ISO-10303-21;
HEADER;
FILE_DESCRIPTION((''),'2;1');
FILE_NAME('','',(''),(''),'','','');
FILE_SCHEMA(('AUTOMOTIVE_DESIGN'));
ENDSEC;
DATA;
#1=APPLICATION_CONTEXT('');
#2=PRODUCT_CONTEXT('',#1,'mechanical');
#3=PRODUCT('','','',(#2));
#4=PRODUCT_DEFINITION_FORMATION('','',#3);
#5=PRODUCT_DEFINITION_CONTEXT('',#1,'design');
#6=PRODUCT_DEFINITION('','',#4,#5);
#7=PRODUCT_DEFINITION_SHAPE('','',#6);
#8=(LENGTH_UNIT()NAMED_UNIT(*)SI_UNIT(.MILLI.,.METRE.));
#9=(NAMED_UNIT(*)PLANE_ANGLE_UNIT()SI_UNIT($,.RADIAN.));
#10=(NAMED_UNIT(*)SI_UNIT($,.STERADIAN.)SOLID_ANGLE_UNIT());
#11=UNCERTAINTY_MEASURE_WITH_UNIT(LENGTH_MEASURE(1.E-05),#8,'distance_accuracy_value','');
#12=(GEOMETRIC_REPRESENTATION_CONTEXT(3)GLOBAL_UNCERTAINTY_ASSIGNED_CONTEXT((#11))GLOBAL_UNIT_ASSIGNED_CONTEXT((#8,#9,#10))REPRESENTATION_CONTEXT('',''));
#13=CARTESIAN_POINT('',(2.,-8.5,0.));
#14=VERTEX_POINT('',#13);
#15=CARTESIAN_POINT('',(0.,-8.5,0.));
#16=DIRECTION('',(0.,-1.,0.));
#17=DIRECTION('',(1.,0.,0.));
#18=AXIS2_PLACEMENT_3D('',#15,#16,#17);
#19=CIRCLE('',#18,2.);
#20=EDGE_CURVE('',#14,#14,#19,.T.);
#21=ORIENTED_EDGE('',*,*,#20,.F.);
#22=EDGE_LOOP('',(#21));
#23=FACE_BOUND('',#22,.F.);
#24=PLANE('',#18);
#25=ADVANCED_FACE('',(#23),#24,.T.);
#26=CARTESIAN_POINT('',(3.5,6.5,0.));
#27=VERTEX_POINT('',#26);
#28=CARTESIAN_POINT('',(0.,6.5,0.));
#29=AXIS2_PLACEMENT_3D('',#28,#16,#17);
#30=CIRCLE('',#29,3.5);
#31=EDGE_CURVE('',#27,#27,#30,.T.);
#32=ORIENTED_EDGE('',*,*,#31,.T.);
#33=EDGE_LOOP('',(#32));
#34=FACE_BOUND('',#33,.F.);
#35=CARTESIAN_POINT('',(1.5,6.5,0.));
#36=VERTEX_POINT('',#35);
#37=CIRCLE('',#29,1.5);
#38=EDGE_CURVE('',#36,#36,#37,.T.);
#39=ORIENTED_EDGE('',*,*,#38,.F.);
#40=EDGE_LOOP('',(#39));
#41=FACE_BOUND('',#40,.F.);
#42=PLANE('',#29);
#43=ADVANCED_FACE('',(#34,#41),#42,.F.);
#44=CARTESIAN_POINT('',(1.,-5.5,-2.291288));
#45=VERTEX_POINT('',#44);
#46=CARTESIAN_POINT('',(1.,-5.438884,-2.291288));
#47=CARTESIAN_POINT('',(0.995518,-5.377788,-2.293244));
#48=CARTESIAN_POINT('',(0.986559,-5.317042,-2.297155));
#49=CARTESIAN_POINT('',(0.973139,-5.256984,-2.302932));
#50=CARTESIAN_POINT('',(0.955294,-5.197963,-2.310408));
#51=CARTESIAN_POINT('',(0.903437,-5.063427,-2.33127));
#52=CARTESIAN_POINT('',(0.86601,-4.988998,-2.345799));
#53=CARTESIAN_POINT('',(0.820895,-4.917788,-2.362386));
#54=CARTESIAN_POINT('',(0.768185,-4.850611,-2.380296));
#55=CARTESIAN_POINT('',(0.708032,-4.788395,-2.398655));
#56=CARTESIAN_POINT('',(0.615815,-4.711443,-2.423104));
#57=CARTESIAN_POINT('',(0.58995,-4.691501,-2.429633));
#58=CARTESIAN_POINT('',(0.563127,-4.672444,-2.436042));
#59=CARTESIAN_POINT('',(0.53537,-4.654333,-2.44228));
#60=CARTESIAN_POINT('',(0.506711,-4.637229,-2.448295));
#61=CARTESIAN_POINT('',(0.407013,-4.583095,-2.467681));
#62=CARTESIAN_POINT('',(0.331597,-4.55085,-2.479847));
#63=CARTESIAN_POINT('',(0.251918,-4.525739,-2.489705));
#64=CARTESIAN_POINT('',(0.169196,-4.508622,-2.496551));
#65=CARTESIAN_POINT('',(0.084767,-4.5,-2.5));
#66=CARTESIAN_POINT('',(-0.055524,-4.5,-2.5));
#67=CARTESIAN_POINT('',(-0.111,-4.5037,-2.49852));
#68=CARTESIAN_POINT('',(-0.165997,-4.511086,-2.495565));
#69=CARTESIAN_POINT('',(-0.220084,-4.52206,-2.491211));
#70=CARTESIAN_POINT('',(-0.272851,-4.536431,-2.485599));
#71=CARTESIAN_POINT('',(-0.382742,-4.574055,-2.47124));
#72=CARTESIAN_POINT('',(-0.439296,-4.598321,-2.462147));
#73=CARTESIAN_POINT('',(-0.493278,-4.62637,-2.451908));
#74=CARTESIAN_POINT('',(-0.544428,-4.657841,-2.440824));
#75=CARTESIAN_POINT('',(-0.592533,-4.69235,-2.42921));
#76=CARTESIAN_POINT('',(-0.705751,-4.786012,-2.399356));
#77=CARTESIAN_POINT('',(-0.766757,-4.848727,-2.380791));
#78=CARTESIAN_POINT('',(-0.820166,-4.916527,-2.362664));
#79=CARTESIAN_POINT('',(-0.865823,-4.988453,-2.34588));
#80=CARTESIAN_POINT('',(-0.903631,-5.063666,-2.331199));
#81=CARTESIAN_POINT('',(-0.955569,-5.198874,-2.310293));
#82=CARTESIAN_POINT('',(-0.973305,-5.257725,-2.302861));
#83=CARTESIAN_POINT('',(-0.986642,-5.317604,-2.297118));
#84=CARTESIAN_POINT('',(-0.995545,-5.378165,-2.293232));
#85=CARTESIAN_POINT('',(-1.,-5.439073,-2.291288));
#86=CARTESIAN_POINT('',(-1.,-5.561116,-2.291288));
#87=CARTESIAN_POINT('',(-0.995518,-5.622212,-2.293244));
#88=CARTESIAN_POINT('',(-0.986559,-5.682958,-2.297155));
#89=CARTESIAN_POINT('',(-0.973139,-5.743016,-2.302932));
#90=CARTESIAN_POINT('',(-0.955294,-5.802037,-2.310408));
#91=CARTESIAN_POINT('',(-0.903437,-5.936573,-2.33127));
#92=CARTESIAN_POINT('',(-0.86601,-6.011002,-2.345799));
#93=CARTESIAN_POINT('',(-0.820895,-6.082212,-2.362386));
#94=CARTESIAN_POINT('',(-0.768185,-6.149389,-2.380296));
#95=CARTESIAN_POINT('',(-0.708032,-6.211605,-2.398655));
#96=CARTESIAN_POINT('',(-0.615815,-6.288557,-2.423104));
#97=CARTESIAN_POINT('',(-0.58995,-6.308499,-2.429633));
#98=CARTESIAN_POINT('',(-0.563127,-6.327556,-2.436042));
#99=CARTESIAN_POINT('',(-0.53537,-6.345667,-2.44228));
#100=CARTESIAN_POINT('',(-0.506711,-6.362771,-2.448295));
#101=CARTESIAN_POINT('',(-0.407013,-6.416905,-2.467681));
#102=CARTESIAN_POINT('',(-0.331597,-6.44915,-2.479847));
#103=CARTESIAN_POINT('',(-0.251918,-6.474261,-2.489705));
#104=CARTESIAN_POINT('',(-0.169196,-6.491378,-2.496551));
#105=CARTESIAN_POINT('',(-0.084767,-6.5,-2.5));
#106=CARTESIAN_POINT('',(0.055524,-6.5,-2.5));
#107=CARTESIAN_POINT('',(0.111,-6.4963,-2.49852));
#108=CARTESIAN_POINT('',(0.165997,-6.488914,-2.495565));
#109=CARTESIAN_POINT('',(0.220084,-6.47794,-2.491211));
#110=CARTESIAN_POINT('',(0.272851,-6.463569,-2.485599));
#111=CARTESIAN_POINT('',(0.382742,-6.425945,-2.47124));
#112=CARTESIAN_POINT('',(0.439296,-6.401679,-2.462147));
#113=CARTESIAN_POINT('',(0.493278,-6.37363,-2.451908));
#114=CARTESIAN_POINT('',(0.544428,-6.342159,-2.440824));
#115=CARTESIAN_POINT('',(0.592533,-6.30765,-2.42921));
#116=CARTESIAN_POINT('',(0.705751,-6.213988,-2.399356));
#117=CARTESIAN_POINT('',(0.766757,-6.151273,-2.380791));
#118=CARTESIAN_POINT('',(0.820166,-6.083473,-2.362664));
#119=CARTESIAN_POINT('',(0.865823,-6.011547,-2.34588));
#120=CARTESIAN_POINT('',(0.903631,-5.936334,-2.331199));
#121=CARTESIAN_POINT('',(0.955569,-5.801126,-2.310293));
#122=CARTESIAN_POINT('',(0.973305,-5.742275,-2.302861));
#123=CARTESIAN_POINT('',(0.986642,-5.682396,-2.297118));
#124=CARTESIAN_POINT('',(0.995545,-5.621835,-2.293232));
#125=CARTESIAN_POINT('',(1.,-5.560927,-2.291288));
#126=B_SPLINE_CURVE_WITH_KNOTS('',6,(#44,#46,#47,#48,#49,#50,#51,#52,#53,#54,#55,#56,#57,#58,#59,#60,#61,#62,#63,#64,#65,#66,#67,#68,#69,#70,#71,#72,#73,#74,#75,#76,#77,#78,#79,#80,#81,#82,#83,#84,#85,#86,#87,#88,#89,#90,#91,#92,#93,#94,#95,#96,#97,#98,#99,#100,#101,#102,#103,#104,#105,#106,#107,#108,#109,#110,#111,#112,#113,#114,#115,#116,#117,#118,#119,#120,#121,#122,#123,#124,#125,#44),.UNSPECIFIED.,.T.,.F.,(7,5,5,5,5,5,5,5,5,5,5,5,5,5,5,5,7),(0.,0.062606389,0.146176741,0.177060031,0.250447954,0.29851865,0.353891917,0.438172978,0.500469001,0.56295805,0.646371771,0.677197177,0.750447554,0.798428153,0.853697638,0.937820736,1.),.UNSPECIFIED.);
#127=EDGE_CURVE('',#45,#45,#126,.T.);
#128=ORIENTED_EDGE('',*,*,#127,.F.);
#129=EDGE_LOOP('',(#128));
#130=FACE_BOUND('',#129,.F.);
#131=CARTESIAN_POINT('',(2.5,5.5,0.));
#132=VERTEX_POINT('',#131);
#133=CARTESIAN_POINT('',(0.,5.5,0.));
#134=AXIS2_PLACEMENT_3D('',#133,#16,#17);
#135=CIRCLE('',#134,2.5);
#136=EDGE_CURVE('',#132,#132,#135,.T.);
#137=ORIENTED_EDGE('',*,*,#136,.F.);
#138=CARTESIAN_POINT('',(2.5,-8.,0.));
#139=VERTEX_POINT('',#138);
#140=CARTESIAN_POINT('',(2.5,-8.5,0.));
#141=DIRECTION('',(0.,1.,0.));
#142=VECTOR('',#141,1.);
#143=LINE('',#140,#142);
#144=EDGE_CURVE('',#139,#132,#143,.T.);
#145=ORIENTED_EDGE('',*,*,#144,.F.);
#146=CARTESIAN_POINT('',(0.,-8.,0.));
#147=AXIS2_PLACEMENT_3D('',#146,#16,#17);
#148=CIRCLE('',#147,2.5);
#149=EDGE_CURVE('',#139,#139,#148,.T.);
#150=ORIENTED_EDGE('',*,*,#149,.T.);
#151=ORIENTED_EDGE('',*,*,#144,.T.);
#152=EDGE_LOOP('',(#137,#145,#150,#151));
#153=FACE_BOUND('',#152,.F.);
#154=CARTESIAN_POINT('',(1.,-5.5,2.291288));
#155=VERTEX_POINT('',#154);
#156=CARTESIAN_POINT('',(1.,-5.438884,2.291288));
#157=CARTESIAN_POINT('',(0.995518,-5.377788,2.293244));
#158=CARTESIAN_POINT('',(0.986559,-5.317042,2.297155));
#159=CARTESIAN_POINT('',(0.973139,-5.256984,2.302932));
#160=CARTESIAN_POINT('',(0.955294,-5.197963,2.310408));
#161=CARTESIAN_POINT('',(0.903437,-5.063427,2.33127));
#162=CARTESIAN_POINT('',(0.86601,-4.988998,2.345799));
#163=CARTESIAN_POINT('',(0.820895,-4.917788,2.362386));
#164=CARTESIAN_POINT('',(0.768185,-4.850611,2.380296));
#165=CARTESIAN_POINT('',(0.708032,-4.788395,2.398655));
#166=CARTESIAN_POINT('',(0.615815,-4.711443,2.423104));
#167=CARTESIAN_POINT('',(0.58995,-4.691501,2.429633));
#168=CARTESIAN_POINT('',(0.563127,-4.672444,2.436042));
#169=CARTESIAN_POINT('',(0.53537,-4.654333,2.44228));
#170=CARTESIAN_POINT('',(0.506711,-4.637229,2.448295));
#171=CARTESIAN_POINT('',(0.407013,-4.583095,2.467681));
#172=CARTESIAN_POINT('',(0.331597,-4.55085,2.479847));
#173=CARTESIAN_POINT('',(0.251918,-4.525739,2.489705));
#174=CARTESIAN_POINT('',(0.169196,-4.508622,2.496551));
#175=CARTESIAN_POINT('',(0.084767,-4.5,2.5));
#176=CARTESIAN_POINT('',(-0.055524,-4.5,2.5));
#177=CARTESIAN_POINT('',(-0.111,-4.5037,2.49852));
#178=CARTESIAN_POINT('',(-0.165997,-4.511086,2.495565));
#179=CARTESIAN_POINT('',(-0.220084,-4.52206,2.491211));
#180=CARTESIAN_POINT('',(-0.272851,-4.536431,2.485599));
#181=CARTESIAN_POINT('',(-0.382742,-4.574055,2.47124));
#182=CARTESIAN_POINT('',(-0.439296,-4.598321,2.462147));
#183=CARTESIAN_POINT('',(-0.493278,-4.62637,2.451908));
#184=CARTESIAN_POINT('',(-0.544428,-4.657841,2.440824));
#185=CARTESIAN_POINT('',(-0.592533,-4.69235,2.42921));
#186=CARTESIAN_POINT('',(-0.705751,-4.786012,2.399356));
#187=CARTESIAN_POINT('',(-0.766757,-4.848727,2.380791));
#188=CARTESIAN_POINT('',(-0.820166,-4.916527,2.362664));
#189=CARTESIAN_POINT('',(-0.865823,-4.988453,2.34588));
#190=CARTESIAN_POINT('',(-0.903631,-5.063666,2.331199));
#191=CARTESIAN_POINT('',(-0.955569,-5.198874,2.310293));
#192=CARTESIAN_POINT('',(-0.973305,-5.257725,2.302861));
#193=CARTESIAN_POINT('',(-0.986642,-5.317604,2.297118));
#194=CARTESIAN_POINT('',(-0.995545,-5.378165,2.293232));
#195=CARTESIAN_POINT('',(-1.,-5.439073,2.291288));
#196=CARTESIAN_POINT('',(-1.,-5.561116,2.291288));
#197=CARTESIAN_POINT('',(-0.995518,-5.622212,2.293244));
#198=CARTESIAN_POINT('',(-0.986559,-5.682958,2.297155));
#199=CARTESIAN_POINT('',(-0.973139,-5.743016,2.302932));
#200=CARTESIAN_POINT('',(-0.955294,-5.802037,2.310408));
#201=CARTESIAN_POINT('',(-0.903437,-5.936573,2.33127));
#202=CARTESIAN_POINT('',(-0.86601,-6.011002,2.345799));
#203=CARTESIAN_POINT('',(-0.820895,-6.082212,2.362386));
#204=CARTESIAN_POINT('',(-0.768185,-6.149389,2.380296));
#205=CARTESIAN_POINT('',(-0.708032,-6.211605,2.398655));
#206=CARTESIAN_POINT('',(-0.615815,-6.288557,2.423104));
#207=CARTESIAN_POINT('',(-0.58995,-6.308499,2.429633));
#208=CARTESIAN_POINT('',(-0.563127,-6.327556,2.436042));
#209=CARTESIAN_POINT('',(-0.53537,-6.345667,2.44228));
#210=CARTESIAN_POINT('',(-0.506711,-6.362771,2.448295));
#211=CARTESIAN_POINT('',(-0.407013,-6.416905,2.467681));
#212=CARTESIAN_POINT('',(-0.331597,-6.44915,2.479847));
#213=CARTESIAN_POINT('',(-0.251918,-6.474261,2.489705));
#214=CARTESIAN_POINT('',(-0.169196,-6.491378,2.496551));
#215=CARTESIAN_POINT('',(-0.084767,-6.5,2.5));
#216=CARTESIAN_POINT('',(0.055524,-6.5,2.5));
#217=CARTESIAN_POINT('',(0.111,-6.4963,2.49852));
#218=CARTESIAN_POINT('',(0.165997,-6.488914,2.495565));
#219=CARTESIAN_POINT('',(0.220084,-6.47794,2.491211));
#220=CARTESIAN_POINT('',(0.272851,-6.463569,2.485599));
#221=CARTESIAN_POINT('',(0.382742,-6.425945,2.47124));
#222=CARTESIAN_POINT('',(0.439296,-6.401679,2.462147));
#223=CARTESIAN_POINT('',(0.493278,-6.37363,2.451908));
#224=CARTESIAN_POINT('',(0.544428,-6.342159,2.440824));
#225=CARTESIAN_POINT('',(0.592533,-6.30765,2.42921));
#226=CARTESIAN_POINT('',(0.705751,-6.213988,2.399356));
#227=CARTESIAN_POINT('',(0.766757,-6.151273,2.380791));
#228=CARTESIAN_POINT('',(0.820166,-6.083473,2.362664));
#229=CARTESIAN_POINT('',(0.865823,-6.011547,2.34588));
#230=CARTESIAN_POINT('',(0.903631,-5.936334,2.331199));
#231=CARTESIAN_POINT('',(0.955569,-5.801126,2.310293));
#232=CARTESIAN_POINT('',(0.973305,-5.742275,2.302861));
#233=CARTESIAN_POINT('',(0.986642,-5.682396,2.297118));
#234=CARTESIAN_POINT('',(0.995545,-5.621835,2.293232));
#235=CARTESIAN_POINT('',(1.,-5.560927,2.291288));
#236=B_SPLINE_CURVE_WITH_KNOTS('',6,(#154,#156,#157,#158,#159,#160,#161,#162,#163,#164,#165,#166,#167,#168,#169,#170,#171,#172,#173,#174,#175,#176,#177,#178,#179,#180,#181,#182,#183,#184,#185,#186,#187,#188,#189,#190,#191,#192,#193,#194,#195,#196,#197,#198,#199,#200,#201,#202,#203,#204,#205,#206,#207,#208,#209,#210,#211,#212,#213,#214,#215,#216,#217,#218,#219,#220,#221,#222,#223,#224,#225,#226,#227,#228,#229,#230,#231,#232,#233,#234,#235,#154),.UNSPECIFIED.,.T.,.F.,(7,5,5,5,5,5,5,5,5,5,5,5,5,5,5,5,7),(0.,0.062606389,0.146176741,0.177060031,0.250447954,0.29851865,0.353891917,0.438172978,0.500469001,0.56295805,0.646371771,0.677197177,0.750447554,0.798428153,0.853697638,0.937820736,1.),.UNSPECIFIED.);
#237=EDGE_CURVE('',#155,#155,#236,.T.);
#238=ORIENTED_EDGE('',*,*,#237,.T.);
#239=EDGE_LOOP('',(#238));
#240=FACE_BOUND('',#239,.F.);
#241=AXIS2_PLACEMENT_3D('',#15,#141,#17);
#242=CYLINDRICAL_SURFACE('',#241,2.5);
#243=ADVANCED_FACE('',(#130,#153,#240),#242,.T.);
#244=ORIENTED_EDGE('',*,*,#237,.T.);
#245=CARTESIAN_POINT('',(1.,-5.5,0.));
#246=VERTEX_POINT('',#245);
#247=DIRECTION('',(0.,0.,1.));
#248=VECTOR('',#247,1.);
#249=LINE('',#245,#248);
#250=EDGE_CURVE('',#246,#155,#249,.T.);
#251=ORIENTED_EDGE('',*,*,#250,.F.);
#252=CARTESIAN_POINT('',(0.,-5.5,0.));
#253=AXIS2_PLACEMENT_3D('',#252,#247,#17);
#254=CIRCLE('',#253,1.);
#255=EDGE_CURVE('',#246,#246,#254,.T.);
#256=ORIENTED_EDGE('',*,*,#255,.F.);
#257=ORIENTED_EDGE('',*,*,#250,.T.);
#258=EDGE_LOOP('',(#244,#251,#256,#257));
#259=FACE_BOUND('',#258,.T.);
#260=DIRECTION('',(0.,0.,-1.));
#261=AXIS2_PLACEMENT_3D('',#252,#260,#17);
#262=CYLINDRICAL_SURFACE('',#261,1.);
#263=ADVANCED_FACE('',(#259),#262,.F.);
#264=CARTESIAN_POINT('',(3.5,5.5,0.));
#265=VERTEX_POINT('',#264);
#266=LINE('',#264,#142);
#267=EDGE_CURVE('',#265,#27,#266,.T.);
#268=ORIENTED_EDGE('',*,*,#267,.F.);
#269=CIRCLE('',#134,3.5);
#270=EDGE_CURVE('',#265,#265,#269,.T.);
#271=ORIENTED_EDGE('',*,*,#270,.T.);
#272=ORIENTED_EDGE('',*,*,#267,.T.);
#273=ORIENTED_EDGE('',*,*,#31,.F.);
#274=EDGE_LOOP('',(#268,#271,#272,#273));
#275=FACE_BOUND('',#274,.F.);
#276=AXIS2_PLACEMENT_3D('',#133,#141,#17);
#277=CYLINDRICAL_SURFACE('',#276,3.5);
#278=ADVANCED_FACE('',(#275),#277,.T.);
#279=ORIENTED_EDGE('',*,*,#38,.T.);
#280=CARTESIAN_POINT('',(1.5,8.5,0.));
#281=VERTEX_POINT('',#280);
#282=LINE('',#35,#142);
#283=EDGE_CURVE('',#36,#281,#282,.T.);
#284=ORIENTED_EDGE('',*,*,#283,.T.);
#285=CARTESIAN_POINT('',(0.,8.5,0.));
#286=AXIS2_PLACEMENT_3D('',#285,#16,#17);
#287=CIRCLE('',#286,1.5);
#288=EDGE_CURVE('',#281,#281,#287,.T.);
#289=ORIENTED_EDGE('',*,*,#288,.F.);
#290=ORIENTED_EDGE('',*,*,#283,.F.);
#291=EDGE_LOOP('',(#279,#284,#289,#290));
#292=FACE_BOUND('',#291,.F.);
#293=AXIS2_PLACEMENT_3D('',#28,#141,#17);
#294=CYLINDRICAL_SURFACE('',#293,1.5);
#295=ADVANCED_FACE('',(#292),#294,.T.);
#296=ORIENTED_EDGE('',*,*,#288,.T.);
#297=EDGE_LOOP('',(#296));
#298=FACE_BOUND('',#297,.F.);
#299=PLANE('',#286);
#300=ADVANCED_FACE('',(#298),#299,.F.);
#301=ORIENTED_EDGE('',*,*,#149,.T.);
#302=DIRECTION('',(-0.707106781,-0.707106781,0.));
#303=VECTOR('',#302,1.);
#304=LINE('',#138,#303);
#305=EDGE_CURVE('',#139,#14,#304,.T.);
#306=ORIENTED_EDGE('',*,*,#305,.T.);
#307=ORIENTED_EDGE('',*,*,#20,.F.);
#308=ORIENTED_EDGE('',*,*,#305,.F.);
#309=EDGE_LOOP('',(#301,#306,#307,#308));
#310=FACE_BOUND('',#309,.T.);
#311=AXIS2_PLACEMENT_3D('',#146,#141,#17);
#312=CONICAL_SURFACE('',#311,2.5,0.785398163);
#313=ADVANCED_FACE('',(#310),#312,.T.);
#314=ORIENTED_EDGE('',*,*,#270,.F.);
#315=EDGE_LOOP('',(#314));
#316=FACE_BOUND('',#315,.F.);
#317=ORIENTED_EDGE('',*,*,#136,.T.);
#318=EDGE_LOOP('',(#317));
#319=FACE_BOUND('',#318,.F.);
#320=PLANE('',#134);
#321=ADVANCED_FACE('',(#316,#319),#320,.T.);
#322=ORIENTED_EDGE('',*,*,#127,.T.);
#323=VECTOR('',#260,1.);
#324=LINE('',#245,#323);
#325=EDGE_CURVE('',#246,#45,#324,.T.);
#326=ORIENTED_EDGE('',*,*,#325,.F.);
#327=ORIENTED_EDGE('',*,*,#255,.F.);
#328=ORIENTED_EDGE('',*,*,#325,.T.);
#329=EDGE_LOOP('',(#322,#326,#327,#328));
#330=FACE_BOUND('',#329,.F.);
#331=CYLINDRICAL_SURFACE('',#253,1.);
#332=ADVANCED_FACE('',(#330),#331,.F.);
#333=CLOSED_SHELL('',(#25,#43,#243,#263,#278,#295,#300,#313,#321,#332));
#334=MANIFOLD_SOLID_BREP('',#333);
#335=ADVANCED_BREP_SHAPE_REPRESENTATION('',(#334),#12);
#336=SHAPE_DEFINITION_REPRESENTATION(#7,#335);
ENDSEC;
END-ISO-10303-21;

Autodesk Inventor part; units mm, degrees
ref_plane "YZ Plane" through (0, 0, 0) normal (1, 0, 0) x (0, 1, 0)
ref_plane "XZ Plane" through (0, 0, 0) normal (0, 1, 0) x (-1, 0, 0)
ref_plane "XY Plane" through (0, 0, 0) normal (0, 0, 1) x (1, 0, 0)
sketch "Sketch1" plane through (0, 0, 0) normal (0, 0, 1) x (1, 0, 0)
  line L0 (0, 8.5) -> (0, -8.5)
  line L1 (0, -8.5) -> (2.5, -8.5)
  line L2 (2.5, -8.5) -> (2.5, 5.5)
  line L3 (2.5, 5.5) -> (3.5, 5.5)
  line L4 (3.5, 5.5) -> (3.5, 6.5)
  line L5 (3.5, 6.5) -> (1.5, 6.5)
  line L6 (1.5, 6.5) -> (1.5, 8.5)
  line L7 (1.5, 8.5) -> (0, 8.5)
  point P0 (0, 0)
  point P1 (0, 0)
  dimension "d0" = 3
  dimension "d1" = 5
  dimension "d2" = 7
  dimension "d3" = 2
  dimension "d4" = 1
  dimension "d5" = 17
revolve "Revolution1" add sketch "Sketch1" angle 360 about axis through (0, 8.5, 0) along (0, -1, 0)
sketch "Sketch2" plane through (0, 0, 0) normal (0, 0, 1) x (1, 0, 0)
  circle A0 centre (0, -5.5) radius 1
  line L0 (-2.5, -8.5) -> (2.5, -8.5) projected
  point P0 (0, 0)
  point P1 (0, -8.5)
  dimension "d7" = 2
  dimension "d8" = 4
extrude "Extrusion1" cut sketch "Sketch2" along normal through all both and the other way through all
chamfer "Chamfer1" distance 0.5 angle 45 1 edges at (-2.5, -8.5, 0)
properties part number "Locking Pin"
